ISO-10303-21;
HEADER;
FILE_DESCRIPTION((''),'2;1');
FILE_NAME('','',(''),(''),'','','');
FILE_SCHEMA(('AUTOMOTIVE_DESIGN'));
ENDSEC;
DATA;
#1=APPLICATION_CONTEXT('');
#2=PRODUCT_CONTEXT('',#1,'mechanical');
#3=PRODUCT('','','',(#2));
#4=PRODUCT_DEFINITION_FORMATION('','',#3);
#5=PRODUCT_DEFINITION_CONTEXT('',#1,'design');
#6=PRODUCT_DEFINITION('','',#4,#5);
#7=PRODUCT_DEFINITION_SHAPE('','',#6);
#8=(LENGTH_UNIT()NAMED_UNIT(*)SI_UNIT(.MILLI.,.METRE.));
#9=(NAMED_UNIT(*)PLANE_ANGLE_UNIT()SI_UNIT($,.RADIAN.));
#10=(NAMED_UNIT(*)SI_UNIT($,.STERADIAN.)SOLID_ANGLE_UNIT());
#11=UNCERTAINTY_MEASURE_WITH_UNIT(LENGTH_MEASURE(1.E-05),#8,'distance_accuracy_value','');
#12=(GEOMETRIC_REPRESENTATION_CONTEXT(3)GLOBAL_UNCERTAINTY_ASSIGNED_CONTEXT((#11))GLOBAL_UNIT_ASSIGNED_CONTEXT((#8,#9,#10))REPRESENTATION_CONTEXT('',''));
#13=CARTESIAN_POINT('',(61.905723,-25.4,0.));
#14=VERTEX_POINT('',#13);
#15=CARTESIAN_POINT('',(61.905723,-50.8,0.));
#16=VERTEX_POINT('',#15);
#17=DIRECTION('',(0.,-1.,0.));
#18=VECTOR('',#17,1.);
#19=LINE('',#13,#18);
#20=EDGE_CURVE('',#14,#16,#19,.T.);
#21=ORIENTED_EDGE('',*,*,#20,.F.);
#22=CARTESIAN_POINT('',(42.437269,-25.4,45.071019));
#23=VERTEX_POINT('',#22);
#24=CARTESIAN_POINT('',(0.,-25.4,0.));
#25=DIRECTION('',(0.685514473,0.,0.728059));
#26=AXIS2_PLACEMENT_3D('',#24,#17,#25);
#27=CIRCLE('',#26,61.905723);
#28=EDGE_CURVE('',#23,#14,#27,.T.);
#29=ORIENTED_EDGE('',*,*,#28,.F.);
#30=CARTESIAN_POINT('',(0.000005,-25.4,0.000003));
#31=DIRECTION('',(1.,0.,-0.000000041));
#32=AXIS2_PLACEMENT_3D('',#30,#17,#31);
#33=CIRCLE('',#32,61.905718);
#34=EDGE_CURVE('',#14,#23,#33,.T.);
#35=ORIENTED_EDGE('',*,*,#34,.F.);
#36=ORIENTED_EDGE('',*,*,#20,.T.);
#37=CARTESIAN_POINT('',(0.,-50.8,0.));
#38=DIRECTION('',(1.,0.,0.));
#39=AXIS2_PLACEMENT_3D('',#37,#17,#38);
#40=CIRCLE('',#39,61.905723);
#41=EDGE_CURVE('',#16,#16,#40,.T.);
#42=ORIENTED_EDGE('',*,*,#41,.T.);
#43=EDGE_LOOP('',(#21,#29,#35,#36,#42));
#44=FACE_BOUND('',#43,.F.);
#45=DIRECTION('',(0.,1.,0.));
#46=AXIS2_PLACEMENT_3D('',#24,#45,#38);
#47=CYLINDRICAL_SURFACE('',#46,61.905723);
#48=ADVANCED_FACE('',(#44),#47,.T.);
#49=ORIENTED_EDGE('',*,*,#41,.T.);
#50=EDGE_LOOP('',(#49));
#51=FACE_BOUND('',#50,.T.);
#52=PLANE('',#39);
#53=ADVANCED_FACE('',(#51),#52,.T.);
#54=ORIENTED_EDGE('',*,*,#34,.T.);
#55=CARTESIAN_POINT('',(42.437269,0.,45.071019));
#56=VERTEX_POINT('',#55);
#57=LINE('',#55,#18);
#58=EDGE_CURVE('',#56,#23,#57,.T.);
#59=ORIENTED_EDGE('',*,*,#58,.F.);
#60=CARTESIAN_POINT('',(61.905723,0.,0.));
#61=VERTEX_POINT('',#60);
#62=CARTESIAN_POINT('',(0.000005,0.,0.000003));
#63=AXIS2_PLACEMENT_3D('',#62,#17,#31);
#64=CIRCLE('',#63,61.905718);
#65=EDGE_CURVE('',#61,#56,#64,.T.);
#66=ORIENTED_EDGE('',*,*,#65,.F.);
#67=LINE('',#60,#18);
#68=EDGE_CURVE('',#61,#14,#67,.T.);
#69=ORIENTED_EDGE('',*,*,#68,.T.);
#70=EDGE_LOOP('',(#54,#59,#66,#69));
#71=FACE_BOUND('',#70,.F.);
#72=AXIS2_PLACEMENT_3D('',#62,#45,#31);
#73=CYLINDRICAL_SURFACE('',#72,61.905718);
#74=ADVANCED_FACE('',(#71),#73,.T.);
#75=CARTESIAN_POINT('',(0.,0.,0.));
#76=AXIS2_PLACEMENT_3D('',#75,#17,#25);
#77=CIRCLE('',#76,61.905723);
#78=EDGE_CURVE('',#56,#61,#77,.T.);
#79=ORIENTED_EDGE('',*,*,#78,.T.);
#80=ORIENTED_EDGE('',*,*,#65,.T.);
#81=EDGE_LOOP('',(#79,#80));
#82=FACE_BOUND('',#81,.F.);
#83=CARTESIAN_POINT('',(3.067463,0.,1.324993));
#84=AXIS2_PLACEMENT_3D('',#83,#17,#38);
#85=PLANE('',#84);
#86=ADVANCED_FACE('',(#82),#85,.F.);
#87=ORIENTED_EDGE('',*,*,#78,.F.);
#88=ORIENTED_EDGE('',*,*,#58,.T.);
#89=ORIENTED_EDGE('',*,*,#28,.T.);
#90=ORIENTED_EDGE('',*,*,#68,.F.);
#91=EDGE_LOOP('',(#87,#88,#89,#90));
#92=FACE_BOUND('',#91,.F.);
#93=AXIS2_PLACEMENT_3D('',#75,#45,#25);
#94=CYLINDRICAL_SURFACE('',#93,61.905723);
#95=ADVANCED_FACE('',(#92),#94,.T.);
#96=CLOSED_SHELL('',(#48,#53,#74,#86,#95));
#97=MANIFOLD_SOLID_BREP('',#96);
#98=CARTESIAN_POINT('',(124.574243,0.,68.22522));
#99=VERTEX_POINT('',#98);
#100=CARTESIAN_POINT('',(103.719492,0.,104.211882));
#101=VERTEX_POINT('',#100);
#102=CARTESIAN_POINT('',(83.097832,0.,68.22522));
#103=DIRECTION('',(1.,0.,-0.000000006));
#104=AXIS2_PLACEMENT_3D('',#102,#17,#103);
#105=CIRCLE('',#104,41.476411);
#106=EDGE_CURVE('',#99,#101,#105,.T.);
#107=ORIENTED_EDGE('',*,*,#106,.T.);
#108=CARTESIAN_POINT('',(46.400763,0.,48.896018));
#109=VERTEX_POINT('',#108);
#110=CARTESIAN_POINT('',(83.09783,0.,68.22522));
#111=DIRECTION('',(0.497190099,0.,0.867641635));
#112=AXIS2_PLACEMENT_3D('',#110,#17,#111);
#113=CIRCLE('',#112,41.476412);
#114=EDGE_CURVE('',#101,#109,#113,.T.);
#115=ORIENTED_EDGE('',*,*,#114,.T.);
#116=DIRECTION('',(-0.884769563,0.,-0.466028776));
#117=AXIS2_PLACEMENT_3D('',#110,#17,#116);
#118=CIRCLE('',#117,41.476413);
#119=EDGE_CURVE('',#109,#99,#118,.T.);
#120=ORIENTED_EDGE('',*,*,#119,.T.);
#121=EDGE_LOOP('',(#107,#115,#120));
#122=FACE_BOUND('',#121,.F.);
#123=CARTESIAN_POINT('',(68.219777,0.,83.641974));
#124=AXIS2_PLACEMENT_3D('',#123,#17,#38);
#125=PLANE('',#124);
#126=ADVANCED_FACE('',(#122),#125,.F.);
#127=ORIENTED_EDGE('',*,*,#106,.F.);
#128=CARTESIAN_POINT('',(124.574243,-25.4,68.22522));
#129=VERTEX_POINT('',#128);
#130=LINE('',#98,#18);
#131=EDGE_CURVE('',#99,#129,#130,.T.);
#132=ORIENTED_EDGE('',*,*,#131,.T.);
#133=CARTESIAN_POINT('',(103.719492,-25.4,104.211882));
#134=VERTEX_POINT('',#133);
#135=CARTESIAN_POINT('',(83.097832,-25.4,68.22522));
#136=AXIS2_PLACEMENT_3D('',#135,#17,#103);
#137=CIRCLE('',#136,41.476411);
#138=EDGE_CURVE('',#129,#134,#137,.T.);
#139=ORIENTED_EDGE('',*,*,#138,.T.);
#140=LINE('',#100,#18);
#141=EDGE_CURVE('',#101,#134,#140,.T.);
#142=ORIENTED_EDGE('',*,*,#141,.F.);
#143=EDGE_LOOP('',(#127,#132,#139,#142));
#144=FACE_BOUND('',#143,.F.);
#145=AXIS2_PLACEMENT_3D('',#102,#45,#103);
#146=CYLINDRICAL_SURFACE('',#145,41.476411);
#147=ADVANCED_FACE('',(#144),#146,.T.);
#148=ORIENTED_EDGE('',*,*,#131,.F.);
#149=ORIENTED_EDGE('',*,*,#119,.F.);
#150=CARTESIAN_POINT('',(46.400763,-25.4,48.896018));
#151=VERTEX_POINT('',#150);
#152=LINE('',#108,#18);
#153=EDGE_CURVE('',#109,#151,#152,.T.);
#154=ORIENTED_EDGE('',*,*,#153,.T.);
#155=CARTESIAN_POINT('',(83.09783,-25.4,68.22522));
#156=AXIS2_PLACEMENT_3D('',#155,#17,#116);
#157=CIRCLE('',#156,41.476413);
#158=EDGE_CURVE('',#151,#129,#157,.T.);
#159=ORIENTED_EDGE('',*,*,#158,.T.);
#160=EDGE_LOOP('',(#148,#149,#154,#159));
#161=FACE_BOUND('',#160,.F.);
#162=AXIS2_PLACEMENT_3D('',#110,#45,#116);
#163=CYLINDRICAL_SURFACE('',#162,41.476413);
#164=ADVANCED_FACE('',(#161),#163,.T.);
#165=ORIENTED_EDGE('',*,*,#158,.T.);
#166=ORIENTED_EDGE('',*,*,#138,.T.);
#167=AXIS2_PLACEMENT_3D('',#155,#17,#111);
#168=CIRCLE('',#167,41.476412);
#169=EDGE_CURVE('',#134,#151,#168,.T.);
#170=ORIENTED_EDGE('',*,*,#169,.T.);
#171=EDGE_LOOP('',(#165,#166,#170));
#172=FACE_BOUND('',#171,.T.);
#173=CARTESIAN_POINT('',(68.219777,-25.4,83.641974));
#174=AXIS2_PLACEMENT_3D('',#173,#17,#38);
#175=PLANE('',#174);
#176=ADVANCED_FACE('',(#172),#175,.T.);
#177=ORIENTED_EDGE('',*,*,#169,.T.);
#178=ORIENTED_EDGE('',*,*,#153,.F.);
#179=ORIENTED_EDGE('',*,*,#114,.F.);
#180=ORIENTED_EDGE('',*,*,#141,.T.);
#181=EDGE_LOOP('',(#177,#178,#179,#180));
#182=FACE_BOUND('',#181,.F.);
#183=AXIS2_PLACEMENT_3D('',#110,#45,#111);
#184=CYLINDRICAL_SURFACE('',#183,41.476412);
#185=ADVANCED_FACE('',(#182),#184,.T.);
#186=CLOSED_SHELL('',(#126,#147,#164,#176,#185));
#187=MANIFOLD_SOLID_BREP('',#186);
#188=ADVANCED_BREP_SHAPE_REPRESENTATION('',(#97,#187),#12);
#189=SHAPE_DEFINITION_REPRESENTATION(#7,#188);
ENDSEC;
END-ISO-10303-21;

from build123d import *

# Parameters (mm, degrees)
F1_DEPTH  = 25.4
F1_FACE_R = 61.905723
F2_DEPTH  = 25.4


with BuildPart() as f1:
    # F0 (on Front) → F1 (new body)
    with BuildSketch(Plane.XZ):
        with BuildLine():
            ThreePointArc((42.437269, 45.071019), (-56.830575, -24.548001), (61.905723, 0))
            ThreePointArc((61.905723, 0), (56.830575, 24.548001), (42.437269, 45.071019))
        make_face()
        with BuildLine():
            ThreePointArc((103.719492, 104.211882), (54.295645, 98.070268), (46.400763, 48.896018))
            Line((46.400763, 48.896018), (103.719492, 104.211882))
        make_face()
        with BuildLine():
            Line((103.719492, 104.211882), (46.400763, 48.896018))
            ThreePointArc((46.400763, 48.896018), (93.053484, 27.961368), (124.574243, 68.22522))
            ThreePointArc((124.574243, 68.22522), (118.983798, 89.021617), (103.719492, 104.211882))
        make_face()
    extrude(amount=F1_DEPTH)

    # F1_face (on face) → F2 (join)
    with BuildSketch(Plane.XZ.offset(25.4)):
        Circle(F1_FACE_R)
    extrude(amount=F2_DEPTH)


solid = f1.part
